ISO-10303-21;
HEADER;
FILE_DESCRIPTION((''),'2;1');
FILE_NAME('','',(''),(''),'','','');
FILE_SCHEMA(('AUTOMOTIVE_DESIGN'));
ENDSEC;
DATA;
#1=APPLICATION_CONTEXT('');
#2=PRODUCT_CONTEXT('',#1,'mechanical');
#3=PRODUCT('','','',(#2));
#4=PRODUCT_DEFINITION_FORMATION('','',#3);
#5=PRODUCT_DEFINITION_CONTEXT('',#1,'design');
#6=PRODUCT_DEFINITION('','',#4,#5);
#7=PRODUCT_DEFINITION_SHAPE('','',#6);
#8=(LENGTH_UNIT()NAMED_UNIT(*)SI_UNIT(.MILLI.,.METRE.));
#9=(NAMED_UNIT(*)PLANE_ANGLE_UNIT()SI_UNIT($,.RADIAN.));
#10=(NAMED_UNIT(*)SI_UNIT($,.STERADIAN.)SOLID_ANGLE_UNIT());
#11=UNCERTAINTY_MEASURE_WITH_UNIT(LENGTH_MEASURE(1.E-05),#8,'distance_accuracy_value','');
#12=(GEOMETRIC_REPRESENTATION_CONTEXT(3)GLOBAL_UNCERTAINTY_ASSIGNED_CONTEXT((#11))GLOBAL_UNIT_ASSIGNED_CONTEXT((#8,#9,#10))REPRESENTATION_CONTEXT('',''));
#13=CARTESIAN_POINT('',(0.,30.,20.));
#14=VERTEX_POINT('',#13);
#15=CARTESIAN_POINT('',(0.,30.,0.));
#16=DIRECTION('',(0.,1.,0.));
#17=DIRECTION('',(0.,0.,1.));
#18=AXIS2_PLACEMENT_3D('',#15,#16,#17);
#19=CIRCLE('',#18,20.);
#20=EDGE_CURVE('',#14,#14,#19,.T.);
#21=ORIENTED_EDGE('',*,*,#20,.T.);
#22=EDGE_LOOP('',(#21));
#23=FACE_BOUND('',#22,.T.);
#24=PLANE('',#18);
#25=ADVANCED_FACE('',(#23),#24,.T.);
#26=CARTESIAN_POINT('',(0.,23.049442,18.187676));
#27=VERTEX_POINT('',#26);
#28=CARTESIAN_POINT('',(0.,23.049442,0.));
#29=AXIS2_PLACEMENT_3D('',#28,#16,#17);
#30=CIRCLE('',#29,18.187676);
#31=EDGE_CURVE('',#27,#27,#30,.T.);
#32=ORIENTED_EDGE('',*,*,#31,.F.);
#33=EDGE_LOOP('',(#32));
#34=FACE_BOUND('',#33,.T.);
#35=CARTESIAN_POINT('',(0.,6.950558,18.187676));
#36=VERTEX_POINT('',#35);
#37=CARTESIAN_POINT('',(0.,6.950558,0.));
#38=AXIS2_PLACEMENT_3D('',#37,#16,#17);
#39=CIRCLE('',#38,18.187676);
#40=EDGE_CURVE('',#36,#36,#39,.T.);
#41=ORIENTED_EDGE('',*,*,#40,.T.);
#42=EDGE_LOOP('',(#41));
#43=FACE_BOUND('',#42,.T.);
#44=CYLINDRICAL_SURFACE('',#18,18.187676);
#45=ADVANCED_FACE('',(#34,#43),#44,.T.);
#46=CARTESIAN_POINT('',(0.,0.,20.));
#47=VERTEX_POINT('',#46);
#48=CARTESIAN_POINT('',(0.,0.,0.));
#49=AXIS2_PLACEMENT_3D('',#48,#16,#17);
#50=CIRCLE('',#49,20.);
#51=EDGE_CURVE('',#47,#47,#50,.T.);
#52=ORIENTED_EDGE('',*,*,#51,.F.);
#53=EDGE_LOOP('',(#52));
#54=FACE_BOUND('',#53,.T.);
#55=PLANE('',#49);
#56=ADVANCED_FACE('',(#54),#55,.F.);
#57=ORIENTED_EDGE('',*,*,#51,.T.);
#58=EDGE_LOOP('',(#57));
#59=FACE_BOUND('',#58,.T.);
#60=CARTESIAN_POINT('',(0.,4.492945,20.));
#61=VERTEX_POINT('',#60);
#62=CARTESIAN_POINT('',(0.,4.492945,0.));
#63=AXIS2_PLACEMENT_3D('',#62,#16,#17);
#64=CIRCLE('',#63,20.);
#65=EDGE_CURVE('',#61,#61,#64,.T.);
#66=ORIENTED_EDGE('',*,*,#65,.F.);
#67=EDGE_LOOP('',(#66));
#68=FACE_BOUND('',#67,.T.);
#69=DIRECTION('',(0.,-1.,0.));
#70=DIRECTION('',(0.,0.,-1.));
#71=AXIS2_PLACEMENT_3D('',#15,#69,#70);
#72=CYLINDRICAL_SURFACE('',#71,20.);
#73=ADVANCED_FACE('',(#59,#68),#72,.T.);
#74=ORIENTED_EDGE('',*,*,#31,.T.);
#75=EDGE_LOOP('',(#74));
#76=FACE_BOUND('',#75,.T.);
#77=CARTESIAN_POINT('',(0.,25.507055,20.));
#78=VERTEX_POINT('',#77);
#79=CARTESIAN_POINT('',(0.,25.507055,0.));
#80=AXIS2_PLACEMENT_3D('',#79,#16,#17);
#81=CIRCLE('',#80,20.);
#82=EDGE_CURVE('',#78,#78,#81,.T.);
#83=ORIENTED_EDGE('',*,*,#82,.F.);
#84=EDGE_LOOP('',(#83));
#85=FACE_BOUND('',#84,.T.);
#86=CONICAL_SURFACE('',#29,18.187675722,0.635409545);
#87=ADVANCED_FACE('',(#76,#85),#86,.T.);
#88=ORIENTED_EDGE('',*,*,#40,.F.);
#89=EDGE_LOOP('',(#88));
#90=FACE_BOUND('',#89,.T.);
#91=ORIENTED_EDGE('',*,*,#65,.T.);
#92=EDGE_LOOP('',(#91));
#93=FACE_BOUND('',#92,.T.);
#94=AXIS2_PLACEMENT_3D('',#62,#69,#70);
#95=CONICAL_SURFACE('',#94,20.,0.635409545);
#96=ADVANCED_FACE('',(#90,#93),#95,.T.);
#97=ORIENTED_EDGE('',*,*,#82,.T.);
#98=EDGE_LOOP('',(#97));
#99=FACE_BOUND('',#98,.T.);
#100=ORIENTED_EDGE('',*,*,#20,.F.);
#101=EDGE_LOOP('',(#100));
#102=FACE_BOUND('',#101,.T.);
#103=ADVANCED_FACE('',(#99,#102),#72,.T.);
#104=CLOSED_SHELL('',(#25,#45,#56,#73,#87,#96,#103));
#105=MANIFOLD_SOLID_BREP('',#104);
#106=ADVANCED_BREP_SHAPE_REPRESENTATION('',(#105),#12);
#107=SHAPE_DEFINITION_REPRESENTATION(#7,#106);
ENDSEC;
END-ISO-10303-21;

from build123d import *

# Parameters (mm, degrees)
SKETCH2_R           = 20
BOSS_EXTRUDE1_DEPTH = 30


with BuildPart() as part:
    # Sketch2 → Boss-Extrude1 (new body)
    with BuildSketch(Plane(origin=(0, 0, 0), x_dir=(1, 0, 0), z_dir=(0, 1, 0))):
        Circle(SKETCH2_R)
    extrude(amount=BOSS_EXTRUDE1_DEPTH)

    # Sketch3 → Cut-Revolve1 (revolve, cut)
    with BuildSketch(Plane.XY):
        Polygon((-20, 25.507054769), (-18.187675722, 23.049442392), (-18.187675722, 6.950557608), (-20, 4.492945231), align=None)
    revolve(axis=Axis((0, 30, 0), (0, -1, 0)), mode=Mode.SUBTRACT)


solid = part.part
